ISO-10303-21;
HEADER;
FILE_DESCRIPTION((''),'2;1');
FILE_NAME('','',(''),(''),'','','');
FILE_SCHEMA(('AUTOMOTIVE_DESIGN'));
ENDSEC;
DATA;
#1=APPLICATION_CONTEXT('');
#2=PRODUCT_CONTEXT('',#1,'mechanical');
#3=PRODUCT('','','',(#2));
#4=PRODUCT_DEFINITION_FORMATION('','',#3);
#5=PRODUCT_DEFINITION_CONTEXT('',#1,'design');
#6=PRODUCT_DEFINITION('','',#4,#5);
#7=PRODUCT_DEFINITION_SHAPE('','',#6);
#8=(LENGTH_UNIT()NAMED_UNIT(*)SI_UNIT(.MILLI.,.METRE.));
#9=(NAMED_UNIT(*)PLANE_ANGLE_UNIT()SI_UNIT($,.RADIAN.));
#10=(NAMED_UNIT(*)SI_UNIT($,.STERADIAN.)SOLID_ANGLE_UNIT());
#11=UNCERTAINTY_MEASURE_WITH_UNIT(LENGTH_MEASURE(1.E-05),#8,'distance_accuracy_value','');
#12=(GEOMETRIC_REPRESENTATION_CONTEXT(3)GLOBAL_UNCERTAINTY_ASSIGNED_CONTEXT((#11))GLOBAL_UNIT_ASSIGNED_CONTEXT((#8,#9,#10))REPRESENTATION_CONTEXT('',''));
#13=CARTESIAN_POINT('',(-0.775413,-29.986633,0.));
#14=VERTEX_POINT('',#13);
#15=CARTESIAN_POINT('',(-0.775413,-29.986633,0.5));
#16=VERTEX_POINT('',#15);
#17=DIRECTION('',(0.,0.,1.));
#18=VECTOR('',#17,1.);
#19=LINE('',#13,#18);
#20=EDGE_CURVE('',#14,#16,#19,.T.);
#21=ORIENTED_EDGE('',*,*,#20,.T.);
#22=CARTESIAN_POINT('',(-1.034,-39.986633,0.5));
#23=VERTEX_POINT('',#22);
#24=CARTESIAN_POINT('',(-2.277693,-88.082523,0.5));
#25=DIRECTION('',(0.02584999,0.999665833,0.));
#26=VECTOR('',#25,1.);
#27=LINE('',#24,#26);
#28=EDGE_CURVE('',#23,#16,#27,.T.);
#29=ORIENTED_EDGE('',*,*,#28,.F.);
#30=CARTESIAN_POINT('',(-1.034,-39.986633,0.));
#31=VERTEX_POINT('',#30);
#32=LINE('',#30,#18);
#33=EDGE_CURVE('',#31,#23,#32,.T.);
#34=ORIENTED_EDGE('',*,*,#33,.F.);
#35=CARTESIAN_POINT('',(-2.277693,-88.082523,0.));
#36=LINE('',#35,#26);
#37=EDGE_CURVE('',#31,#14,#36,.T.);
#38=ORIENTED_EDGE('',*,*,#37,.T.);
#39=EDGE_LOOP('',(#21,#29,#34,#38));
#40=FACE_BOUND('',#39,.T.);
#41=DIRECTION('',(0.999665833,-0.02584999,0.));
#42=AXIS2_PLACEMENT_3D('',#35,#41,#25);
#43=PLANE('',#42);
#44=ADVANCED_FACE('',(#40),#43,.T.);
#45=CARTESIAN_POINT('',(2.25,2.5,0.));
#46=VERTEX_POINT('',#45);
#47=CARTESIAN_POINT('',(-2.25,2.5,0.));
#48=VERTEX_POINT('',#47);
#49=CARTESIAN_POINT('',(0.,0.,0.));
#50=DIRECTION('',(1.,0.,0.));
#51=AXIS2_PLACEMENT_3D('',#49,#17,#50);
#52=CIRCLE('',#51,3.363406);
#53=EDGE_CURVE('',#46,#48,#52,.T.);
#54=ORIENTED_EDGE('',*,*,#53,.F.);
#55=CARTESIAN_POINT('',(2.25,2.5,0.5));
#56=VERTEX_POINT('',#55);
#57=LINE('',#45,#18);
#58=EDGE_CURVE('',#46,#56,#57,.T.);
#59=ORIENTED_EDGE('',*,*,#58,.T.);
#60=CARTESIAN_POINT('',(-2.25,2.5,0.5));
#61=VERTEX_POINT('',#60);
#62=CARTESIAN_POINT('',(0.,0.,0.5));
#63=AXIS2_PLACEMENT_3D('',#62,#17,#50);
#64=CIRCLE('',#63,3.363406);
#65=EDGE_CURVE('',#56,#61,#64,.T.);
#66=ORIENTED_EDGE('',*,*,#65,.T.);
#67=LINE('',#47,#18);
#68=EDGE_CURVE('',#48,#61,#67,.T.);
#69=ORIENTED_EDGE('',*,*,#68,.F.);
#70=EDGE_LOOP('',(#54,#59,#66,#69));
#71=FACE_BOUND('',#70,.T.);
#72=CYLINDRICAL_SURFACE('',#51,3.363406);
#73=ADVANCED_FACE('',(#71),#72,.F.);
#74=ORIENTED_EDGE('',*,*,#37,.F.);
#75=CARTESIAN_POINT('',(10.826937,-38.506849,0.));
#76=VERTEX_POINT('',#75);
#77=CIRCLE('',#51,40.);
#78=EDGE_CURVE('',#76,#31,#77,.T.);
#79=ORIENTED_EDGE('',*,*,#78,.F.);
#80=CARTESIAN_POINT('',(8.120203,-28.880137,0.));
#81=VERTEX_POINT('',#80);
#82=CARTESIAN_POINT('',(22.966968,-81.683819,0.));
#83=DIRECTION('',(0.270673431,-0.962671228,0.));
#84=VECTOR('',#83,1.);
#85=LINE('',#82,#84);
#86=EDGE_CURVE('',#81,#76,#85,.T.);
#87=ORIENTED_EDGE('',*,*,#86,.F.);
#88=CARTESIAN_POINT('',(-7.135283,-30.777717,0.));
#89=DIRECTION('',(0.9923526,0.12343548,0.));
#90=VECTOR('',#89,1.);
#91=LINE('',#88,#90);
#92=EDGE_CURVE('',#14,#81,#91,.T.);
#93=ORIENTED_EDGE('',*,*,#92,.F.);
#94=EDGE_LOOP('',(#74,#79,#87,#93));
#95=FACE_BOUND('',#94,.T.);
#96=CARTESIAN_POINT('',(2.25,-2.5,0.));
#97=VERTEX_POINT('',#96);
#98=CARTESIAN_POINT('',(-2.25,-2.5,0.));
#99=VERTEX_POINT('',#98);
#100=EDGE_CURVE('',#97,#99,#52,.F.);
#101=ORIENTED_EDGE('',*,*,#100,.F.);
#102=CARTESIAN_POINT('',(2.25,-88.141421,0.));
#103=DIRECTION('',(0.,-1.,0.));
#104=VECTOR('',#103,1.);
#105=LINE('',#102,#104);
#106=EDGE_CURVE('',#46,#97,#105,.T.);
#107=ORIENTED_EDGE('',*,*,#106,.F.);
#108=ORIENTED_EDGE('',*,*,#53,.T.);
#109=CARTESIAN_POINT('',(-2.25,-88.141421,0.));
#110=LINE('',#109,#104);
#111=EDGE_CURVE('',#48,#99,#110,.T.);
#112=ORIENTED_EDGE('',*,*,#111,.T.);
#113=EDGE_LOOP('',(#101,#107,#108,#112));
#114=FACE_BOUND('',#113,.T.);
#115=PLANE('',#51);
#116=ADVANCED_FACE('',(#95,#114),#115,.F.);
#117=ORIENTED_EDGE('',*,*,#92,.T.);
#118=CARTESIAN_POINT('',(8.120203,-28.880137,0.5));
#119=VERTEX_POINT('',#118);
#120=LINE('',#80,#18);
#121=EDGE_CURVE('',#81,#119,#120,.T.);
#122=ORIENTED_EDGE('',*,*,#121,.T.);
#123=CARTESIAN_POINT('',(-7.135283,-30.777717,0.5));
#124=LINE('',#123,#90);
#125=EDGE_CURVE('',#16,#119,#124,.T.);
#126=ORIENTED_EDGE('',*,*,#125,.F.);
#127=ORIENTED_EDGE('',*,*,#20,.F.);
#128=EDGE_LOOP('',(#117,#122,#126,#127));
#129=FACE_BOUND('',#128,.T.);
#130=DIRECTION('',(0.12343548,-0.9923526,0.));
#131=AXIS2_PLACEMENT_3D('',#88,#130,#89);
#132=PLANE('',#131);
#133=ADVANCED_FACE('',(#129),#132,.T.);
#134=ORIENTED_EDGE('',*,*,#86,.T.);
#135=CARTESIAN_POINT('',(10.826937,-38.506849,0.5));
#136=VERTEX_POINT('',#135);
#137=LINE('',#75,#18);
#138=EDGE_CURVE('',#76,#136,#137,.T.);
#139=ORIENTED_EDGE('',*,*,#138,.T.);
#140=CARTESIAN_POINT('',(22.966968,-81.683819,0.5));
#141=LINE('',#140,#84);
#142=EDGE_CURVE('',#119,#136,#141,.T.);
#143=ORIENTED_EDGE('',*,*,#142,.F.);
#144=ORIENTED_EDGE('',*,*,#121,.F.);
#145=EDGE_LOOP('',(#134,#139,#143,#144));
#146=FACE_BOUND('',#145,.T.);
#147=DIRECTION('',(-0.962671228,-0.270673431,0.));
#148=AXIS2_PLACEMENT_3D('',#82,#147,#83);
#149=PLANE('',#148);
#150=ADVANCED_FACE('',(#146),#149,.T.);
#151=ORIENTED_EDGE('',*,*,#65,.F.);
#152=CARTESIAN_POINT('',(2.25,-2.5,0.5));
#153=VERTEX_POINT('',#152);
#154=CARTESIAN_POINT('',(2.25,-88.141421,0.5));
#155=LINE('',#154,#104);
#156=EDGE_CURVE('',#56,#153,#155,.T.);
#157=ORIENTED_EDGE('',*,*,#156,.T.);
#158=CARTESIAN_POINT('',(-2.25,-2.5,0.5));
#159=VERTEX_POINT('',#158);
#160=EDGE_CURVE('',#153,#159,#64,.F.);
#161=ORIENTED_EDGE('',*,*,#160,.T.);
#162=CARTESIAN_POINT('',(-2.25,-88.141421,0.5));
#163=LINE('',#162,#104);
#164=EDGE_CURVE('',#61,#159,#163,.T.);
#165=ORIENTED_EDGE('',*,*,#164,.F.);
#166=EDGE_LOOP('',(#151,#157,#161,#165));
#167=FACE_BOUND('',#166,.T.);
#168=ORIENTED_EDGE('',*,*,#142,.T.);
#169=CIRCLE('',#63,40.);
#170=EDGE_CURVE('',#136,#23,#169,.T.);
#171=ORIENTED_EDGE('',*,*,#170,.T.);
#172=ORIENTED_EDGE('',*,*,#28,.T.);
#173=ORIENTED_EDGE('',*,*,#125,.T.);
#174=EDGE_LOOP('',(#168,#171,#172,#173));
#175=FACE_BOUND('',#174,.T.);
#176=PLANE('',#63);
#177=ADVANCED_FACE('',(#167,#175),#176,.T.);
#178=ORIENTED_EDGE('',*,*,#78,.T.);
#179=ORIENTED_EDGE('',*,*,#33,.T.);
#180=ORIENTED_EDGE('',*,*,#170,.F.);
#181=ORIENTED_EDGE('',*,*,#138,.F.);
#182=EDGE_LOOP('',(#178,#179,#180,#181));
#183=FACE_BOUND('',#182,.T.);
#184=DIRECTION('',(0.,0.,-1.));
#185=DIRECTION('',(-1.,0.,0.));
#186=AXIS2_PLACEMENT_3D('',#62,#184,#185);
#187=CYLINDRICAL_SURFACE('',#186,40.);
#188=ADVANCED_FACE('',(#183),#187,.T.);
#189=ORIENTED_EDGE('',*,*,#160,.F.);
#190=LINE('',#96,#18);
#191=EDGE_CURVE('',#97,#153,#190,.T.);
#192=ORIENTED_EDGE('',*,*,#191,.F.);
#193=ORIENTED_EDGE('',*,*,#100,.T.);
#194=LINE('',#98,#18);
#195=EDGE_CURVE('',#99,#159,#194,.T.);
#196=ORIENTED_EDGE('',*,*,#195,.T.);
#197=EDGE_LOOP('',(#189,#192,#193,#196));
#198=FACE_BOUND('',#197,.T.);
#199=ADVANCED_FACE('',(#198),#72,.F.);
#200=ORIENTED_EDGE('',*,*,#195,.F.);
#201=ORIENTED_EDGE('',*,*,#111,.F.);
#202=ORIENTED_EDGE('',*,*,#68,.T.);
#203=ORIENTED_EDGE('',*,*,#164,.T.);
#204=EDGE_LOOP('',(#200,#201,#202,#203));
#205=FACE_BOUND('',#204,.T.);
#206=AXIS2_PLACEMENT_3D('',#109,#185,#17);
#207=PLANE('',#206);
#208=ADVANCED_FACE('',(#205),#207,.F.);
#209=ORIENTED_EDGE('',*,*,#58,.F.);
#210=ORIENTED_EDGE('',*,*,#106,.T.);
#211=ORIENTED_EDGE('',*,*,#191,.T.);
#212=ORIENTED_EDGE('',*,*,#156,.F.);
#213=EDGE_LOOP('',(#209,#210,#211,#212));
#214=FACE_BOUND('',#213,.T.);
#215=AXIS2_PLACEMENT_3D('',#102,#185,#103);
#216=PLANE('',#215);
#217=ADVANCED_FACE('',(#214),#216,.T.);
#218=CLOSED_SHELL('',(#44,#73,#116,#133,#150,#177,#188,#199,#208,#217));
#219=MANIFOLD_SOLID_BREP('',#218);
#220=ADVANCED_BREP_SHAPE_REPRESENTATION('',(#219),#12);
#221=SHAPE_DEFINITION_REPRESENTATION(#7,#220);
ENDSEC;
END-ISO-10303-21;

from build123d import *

# Parameters (mm, degrees)
ESQUISSE1_R             = 40
BOSS_EXTRU_1_DEPTH      = 0.5
ENL_V_MAT_EXTRU_1_DEPTH = 57.57075216
ENL_V_MAT_EXTRU_2_DEPTH = 57.57075216


with BuildPart() as part:
    # Esquisse1 → Boss.-Extru.1 (new body)
    with BuildSketch(Plane.XY):
        Circle(ESQUISSE1_R)
    extrude(amount=BOSS_EXTRU_1_DEPTH)

    # Esquisse3 → Enlèv. mat.-Extru.1 (cut, through all)
    with BuildSketch(Plane.XY.offset(0.5)):
        with BuildLine():
            Line((2.25, -2.5), (2.25, 2.5))
            ThreePointArc((2.25, 2.5), (0, 3.363406012), (-2.25, 2.5))
            Line((-2.25, 2.5), (-2.25, -2.5))
            ThreePointArc((-2.25, -2.5), (0, -3.363406012), (2.25, -2.5))
        make_face()
    extrude(amount=-ENL_V_MAT_EXTRU_1_DEPTH, mode=Mode.SUBTRACT)

    # Esquisse8 → Enlèv. mat.-Extru.2 (cut, through all)
    with BuildSketch(Plane.XY.offset(0.5)):
        with BuildLine():
            Line((8.120202921, -28.880136851), (-0.775413277, -29.986633327))
            Line((-0.775413277, -29.986633327), (-1.033999584, -39.986633327))
            ThreePointArc((-1.033999584, -39.986633327), (4.952054851, -39.69228077), (10.826937228, -38.506849134))
            Line((10.826937228, -38.506849134), (8.120202921, -28.880136851))
        make_face()
    extrude(amount=-ENL_V_MAT_EXTRU_2_DEPTH, mode=Mode.SUBTRACT)


solid = part.part
